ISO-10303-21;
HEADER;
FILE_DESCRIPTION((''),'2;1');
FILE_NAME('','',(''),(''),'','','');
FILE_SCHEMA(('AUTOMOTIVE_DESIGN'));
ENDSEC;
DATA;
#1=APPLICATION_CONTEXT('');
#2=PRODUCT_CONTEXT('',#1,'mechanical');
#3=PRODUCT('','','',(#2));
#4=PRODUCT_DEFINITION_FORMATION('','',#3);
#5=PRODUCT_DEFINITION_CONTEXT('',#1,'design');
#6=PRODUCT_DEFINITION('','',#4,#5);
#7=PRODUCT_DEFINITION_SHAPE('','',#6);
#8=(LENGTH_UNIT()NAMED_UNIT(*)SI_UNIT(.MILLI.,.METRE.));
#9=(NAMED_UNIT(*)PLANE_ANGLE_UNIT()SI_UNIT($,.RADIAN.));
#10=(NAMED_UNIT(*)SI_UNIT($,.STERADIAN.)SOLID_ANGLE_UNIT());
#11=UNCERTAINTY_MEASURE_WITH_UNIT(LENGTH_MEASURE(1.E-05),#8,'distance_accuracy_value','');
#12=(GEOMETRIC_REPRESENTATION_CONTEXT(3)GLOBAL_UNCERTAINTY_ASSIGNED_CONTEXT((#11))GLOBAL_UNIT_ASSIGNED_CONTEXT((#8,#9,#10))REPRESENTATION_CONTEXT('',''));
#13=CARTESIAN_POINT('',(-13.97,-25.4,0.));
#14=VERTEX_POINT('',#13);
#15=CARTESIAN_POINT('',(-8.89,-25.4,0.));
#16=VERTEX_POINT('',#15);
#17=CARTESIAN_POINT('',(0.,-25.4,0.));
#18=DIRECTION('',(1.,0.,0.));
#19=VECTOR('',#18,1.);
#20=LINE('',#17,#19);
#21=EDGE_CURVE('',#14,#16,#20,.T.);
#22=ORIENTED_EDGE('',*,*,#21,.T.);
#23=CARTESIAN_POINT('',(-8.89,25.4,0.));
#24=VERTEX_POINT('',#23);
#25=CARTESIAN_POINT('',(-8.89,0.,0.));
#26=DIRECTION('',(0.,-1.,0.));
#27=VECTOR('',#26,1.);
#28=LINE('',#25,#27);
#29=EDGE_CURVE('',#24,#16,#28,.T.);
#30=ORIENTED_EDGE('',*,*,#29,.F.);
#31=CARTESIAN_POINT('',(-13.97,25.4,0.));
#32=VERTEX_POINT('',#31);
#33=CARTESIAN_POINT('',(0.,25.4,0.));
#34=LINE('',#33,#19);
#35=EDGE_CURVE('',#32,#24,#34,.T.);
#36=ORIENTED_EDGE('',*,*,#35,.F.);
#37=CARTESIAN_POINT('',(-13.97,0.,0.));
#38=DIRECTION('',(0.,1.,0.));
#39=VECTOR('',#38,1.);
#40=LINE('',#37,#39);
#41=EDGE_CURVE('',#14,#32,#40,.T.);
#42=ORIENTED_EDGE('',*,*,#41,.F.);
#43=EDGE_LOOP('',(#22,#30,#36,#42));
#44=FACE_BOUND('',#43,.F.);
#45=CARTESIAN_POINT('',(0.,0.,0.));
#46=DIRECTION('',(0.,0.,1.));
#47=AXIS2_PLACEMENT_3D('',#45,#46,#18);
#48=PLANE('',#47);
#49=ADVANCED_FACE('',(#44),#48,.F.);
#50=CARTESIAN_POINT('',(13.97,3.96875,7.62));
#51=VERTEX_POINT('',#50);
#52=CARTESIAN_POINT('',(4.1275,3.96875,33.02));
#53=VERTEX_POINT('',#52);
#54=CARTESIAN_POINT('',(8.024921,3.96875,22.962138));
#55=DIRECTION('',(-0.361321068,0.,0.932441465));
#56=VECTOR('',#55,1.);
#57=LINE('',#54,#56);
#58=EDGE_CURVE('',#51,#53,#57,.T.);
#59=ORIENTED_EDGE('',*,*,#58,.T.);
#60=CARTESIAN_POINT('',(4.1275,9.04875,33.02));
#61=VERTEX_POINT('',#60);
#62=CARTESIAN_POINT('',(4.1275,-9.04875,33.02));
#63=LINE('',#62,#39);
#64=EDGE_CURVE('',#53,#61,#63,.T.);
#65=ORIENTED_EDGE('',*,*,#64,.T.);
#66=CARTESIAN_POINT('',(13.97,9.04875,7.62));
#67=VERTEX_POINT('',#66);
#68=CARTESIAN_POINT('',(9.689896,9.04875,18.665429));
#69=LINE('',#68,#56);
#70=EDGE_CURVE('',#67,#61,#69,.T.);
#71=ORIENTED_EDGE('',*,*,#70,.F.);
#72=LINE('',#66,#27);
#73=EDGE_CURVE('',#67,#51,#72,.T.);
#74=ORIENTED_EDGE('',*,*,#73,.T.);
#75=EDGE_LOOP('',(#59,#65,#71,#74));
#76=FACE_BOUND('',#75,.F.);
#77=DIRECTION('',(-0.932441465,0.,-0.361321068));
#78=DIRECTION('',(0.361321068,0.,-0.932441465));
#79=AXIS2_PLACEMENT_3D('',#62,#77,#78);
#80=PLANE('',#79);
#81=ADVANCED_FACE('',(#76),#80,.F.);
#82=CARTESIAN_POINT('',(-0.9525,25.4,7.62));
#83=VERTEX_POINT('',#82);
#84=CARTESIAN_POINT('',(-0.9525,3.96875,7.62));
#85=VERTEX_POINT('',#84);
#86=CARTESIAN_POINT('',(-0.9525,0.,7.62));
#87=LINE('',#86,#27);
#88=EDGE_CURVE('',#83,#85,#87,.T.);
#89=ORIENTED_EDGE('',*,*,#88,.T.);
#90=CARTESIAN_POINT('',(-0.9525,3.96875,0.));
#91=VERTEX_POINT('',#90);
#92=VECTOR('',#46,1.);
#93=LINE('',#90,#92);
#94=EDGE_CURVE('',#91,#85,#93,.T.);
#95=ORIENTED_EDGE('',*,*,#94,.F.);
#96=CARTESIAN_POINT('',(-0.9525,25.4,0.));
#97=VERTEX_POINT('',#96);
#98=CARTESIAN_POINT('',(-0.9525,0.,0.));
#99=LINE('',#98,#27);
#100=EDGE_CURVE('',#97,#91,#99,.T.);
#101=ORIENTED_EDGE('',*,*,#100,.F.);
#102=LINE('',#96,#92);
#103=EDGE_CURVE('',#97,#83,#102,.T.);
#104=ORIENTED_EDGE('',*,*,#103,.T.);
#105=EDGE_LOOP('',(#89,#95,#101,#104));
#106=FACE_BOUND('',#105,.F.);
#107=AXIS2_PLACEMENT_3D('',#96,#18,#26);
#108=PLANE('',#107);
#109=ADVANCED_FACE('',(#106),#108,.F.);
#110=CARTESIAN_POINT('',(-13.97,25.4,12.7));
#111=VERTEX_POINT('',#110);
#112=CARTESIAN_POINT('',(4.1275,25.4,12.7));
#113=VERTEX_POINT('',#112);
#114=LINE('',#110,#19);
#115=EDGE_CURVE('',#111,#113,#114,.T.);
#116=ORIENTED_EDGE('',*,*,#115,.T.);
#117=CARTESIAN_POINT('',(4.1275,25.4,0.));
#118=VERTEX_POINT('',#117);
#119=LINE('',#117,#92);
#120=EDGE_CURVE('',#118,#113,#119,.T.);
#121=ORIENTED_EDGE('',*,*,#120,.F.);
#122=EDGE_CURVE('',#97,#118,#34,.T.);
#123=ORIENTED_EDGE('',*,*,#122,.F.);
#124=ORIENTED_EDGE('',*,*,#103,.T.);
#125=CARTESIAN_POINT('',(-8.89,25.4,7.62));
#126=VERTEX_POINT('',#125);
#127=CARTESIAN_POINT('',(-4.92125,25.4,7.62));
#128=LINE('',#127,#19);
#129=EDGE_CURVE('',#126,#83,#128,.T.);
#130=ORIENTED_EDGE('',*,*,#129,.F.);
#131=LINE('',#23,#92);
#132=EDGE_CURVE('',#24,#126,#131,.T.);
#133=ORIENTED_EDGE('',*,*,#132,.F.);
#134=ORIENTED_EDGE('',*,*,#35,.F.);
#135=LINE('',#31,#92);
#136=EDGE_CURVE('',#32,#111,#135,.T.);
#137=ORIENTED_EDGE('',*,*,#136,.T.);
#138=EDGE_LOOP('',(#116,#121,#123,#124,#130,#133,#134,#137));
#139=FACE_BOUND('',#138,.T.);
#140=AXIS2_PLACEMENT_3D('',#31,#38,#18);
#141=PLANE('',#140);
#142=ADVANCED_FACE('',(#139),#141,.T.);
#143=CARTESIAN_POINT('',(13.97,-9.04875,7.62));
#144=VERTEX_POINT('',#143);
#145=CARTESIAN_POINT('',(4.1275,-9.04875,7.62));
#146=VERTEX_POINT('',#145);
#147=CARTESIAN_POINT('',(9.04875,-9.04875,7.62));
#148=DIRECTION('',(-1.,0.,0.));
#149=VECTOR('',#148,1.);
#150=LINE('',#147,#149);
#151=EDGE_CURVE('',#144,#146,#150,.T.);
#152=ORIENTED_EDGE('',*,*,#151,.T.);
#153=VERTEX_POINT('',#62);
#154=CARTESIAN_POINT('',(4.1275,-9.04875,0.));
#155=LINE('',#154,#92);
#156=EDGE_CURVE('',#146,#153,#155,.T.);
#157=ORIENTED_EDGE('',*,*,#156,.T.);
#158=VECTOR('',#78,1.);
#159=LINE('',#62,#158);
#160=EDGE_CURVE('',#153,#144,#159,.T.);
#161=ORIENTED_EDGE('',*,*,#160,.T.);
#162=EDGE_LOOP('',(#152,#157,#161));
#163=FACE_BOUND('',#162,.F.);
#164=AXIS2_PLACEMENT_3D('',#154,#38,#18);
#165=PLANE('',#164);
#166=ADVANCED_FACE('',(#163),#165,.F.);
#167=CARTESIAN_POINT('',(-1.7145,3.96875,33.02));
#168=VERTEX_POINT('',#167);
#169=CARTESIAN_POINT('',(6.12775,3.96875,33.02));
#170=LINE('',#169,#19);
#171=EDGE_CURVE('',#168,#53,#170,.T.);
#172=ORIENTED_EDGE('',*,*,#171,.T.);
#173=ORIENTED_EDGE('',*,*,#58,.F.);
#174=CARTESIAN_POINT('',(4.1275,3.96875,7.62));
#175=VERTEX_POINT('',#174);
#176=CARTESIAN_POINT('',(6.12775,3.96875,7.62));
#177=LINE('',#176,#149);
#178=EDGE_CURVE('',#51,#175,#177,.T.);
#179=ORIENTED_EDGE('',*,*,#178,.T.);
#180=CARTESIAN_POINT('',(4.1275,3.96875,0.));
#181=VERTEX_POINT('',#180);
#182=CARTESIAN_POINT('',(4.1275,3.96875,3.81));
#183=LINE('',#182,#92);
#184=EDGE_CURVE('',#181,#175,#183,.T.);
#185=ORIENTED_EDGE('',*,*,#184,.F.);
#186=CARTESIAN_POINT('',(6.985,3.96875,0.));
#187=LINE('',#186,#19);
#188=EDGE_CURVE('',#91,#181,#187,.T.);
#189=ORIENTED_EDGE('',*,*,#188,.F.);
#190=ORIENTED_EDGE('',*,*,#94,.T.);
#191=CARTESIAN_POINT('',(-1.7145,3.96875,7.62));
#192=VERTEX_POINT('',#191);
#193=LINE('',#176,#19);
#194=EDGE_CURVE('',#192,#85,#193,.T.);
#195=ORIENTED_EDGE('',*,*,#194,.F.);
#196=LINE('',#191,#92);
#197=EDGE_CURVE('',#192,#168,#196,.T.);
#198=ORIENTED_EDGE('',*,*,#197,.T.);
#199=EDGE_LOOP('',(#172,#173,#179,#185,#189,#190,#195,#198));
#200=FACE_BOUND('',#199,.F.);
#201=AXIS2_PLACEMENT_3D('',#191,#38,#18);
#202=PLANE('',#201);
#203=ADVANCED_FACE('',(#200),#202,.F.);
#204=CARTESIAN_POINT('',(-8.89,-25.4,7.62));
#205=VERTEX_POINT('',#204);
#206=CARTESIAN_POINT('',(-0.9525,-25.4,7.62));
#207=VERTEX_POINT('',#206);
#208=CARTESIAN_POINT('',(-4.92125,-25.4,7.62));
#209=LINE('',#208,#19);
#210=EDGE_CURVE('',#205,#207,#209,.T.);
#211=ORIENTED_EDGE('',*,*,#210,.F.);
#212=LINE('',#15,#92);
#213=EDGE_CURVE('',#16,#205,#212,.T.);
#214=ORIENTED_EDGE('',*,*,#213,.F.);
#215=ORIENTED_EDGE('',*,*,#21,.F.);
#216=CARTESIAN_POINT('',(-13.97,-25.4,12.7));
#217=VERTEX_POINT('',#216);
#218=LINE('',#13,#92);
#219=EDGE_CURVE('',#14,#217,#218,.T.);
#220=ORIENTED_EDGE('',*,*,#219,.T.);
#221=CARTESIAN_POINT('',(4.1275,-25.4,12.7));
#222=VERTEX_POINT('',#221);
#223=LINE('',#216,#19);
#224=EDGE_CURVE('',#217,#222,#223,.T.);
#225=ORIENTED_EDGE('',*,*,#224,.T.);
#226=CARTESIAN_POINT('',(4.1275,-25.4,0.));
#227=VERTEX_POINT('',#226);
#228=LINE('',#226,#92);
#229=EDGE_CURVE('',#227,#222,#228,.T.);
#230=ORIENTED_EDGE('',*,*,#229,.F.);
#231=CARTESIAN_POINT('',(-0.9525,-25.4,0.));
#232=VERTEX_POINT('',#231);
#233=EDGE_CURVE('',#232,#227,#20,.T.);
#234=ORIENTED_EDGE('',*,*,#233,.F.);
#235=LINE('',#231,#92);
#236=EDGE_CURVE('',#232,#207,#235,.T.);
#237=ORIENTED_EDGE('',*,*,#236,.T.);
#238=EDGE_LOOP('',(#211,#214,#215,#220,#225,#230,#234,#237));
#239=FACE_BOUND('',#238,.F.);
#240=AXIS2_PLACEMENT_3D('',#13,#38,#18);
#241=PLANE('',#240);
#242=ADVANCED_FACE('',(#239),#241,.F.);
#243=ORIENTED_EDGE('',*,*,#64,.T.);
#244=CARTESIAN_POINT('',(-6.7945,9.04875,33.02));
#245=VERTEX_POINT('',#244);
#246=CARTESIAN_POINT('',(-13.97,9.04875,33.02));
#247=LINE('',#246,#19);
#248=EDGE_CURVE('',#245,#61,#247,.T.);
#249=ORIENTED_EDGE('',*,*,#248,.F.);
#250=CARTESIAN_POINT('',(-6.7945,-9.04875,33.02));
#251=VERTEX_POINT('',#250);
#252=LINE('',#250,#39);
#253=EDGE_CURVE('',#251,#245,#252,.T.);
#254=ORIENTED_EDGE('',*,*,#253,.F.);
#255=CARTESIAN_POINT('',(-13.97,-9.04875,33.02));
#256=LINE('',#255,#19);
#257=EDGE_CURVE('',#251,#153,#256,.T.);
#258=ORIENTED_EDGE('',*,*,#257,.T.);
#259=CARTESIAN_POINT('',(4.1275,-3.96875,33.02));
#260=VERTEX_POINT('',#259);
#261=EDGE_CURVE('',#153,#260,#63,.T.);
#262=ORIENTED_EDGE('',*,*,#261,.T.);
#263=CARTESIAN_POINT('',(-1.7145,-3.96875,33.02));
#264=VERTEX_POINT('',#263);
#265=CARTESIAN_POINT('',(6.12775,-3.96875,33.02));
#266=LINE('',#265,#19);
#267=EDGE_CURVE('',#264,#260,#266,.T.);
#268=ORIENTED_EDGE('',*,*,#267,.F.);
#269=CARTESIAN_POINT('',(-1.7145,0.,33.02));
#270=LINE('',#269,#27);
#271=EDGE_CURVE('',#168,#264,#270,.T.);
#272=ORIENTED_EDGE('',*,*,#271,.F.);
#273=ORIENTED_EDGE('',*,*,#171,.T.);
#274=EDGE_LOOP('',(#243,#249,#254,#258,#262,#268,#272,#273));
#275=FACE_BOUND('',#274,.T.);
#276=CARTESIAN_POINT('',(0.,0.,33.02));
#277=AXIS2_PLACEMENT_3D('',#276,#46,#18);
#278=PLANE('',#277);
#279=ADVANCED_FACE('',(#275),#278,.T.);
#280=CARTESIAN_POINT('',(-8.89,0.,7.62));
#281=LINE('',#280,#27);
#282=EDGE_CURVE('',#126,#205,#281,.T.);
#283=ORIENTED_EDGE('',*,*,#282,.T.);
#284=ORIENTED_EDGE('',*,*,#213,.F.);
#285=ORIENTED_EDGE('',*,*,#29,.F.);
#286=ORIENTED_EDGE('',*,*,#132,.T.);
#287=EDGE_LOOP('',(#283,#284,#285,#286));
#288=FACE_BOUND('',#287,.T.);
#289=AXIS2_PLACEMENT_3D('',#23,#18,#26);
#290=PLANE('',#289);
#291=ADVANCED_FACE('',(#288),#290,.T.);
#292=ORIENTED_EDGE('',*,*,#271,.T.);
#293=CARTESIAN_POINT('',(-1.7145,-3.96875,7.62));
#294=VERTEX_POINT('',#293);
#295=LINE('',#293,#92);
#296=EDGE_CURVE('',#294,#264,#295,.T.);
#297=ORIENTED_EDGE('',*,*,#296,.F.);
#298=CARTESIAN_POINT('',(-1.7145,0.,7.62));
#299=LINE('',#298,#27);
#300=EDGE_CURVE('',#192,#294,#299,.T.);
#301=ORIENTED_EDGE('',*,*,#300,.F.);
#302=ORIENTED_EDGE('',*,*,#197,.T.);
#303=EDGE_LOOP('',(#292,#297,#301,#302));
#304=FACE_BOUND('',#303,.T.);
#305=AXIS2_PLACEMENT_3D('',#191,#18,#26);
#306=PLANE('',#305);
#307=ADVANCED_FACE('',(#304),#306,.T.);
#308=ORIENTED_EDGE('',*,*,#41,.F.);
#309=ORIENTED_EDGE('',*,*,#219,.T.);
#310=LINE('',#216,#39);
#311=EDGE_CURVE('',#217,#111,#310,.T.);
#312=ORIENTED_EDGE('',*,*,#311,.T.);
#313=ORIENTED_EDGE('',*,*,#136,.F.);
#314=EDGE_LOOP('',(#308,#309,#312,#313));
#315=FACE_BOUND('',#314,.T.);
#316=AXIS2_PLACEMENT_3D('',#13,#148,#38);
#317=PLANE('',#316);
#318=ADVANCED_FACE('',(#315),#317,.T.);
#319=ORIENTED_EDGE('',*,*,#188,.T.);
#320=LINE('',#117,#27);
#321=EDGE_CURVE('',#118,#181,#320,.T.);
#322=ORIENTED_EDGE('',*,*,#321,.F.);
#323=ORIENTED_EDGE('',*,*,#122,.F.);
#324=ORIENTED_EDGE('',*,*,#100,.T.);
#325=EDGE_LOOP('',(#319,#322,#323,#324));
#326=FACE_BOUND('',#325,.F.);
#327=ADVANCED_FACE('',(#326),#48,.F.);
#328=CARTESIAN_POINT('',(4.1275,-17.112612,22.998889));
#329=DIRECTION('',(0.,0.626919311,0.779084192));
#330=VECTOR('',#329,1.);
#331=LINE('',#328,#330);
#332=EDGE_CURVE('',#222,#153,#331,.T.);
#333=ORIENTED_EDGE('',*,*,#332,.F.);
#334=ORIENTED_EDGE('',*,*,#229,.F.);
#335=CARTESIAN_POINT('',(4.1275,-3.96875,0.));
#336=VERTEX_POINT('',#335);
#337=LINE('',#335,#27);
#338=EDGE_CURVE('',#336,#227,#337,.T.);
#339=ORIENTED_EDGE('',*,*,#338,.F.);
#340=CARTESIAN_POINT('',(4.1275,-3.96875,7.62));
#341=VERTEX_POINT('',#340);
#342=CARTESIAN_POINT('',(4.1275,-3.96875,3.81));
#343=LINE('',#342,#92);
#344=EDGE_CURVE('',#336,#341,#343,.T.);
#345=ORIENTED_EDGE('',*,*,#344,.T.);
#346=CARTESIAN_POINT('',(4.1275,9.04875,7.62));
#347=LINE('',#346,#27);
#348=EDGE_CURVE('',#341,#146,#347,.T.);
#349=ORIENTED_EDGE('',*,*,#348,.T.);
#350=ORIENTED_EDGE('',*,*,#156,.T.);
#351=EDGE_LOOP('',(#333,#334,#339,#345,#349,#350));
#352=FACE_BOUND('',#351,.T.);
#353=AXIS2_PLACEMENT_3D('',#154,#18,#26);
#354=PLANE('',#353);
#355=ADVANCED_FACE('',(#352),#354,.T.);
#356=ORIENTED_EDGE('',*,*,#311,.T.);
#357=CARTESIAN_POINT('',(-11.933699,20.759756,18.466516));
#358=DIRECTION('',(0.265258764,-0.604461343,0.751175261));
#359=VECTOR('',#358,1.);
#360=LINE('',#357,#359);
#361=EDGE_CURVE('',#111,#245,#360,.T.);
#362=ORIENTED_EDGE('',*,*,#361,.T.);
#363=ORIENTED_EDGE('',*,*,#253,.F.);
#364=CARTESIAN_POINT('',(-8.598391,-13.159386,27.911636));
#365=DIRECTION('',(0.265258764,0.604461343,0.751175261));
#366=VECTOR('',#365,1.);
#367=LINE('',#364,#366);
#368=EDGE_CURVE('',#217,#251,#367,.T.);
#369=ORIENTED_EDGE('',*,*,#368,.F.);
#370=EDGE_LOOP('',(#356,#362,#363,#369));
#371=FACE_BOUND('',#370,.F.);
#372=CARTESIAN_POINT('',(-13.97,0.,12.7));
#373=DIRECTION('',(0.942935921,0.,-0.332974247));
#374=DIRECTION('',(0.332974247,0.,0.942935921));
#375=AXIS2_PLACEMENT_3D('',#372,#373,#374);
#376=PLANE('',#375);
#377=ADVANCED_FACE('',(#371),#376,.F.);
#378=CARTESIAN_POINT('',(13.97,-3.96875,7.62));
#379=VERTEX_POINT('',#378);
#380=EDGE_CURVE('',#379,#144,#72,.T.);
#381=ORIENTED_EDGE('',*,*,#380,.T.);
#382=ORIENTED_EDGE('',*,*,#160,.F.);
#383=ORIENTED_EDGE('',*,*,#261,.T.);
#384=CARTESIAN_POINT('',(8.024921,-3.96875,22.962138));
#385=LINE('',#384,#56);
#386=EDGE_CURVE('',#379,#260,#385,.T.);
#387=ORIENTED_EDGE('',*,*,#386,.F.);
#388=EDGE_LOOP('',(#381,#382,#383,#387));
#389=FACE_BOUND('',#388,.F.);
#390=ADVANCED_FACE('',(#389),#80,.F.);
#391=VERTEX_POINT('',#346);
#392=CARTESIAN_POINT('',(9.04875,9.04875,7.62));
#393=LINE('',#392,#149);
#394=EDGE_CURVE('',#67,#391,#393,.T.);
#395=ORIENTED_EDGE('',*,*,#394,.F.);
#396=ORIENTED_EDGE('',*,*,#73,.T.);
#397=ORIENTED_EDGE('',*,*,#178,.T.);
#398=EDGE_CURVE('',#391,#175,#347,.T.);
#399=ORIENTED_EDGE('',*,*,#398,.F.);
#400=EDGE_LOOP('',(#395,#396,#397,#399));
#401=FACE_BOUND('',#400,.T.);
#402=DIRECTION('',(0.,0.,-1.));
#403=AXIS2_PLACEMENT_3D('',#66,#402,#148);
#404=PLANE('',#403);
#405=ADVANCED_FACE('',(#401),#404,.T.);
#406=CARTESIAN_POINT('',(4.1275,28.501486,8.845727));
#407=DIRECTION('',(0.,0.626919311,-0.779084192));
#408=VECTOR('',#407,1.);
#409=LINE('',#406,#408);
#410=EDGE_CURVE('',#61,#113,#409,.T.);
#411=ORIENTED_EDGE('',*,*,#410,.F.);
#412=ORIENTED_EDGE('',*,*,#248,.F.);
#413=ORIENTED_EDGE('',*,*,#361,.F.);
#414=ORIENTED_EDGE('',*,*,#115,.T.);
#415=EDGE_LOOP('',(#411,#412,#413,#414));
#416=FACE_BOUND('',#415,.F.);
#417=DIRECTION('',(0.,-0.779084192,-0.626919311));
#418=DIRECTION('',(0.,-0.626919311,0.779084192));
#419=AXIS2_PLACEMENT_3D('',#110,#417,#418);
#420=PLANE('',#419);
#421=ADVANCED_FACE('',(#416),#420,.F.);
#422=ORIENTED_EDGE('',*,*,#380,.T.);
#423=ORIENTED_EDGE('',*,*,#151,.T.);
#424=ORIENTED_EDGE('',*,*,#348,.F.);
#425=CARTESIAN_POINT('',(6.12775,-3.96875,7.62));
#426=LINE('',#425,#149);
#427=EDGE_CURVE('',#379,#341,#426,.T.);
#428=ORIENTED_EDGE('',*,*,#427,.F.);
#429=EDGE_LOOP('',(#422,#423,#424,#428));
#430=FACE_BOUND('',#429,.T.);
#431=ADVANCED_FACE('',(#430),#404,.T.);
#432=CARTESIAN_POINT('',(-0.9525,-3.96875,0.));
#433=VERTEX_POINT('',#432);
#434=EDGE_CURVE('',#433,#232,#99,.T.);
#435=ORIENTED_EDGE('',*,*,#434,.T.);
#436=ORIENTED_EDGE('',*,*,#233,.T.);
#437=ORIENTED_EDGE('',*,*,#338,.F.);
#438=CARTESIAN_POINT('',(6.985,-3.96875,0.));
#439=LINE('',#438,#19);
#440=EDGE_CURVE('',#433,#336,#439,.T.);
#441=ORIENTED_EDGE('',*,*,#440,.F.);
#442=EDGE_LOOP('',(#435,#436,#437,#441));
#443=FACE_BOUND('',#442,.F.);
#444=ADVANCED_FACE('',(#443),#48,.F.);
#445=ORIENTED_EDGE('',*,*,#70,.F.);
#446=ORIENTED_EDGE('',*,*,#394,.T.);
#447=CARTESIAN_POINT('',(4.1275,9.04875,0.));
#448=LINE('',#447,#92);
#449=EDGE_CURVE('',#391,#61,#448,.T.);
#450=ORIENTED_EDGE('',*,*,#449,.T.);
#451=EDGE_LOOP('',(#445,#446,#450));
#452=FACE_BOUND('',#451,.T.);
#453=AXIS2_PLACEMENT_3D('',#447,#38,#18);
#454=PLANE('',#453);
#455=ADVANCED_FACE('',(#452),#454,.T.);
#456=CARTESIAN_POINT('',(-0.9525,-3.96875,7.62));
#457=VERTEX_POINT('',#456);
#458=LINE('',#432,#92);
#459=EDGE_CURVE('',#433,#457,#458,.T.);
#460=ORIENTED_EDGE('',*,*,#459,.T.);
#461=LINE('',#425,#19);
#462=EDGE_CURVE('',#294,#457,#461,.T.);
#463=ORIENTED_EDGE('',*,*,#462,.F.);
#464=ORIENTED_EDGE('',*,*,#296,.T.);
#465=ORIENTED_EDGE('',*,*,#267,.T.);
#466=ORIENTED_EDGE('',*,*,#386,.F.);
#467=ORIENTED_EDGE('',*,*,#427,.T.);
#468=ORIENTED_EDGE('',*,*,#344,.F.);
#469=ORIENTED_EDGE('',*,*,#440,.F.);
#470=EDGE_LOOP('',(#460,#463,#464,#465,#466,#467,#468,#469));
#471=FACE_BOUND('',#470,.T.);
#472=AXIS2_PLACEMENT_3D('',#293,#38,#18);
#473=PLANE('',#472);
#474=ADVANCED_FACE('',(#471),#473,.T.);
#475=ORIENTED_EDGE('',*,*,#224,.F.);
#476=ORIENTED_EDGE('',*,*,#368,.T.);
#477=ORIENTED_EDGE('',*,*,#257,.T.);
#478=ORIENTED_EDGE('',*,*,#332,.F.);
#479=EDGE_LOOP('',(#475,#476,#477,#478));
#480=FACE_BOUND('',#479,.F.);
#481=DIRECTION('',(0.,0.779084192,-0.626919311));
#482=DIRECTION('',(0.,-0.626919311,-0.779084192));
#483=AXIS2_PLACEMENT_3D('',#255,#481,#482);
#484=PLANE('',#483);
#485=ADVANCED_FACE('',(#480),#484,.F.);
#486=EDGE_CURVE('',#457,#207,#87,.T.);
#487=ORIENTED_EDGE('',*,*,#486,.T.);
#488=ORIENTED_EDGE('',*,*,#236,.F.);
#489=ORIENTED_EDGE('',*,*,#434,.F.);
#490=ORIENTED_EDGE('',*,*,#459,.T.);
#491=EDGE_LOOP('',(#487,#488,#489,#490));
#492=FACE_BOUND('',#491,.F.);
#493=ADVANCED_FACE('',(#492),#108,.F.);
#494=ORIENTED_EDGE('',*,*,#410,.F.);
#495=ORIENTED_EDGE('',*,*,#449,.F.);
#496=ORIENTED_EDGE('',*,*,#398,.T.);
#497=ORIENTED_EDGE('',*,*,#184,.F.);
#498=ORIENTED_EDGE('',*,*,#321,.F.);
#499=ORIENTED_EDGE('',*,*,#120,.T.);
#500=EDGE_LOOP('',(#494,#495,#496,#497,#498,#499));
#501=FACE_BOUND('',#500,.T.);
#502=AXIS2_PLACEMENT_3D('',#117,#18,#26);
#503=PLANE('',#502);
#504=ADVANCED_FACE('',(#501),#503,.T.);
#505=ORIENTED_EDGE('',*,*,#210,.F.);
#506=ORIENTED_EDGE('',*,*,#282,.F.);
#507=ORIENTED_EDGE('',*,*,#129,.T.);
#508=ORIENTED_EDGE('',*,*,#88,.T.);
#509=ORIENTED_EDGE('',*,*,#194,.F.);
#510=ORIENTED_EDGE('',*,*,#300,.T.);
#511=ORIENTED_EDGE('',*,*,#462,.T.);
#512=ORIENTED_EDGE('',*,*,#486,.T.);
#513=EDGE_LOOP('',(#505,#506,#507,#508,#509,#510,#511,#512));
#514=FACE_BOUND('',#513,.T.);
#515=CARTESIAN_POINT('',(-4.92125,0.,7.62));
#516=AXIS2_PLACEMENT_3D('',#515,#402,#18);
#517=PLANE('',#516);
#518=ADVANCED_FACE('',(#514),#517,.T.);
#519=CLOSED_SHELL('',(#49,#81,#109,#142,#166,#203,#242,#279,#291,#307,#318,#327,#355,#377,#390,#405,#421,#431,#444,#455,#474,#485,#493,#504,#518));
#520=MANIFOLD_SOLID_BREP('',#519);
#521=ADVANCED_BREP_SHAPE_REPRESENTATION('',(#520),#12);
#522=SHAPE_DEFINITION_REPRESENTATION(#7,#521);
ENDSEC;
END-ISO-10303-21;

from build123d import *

# Parameters (mm, degrees)
F0_W           = 27.94
F0_H           = 50.8
F1_DEPTH       = 33.02
F2_W           = 7.9375
F2_H           = 50.8
F3_DEPTH       = 7.62
F4_W           = 15.875
F4_H           = 7.9375
F5_DEPTH       = 7.62
F6_W           = 15.6845
F6_H           = 7.9375
F7_DEPTH       = 25.4
F8_W           = 9.8425
F8_H           = 16.35125
F9_DEPTH       = 33.02
F11_DEPTH      = 27.941
F13_DEPTH      = 25.401
F13_DEPTH_BACK = 25.4
F14_W          = 9.8425
F14_H          = 7.62
F15_DEPTH      = 34.44975
F17_DEPTH      = 34.44975


with BuildPart() as f1:
    # F0 (on Top) → F1 (new body)
    with BuildSketch(Plane.XY):
        Rectangle(F0_W, F0_H)
    extrude(amount=F1_DEPTH)

    # F2 (on face) → F3 (cut)
    with BuildSketch(Plane(origin=(0, 0, 0), x_dir=(1, 0, 0), z_dir=(0, 0, -1))):
        with Locations((-4.92125, 0)):
            Rectangle(F2_W, F2_H)
    extrude(amount=-F3_DEPTH, mode=Mode.SUBTRACT)

    # F4 (on face) → F5 (cut, through all)
    with BuildSketch(Plane(origin=(0, 0, 0), x_dir=(1, 0, 0), z_dir=(0, 0, -1))):
        with Locations((6.985, 0)):
            Rectangle(F4_W, F4_H)
    extrude(amount=-F5_DEPTH, mode=Mode.SUBTRACT)

    # F6 (on face) → F7 (cut, through all)
    with BuildSketch(Plane(origin=(0, 0, 7.62), x_dir=(1, 0, 0), z_dir=(0, 0, -1))):
        with Locations((6.12775, 0)):
            Rectangle(F6_W, F6_H)
    extrude(amount=-F7_DEPTH, mode=Mode.SUBTRACT)

    # F8 (on face) → F9 (cut, through all)
    with BuildSketch(Plane(origin=(0, 0, 0), x_dir=(1, 0, 0), z_dir=(0, 0, -1))):
        with Locations((9.04875, -17.224375)):
            Rectangle(F8_W, F8_H)
        with Locations((9.04875, 17.224375)):
            Rectangle(F8_W, F8_H)
    extrude(amount=-F9_DEPTH, mode=Mode.SUBTRACT)

    # F10 (on face) → F11 (cut, through all)
    with BuildSketch(Plane(origin=(-13.97, 0, 0), x_dir=(0, -1, 0), z_dir=(-1, 0, 0))):
        Polygon((-25.4, 12.7), (-9.04875, 33.02), (-25.4, 33.02), align=None)
        Polygon((25.4, 33.02), (9.04875, 33.02), (25.4, 12.7), align=None)
    extrude(amount=-F11_DEPTH, mode=Mode.SUBTRACT)

    # F12 (on Front) → F13 (cut, two sides)
    with BuildSketch(Plane.XZ) as f13_sk:
        Polygon((-6.7945, 33.02), (-13.97, 33.02), (-13.97, 12.7), align=None)
    extrude(amount=-F13_DEPTH, mode=Mode.SUBTRACT)
    extrude(f13_sk.sketch, amount=F13_DEPTH_BACK, mode=Mode.SUBTRACT)

    # F14 (on face) → F15 (cut, through all)
    with BuildSketch(Plane(origin=(0, 9.04875, 0), x_dir=(-1, 0, 0), z_dir=(0, 1, 0))):
        with Locations((-9.04875, 3.81)):
            Rectangle(F14_W, F14_H)
    extrude(amount=-F15_DEPTH, mode=Mode.SUBTRACT)

    # F16 (on face) → F17 (cut, through all)
    with BuildSketch(Plane.XZ.offset(9.04875)):
        Polygon((13.97, 33.02), (4.1275, 33.02), (13.97, 7.62), align=None)
    extrude(amount=-F17_DEPTH, mode=Mode.SUBTRACT)


solid = f1.part
